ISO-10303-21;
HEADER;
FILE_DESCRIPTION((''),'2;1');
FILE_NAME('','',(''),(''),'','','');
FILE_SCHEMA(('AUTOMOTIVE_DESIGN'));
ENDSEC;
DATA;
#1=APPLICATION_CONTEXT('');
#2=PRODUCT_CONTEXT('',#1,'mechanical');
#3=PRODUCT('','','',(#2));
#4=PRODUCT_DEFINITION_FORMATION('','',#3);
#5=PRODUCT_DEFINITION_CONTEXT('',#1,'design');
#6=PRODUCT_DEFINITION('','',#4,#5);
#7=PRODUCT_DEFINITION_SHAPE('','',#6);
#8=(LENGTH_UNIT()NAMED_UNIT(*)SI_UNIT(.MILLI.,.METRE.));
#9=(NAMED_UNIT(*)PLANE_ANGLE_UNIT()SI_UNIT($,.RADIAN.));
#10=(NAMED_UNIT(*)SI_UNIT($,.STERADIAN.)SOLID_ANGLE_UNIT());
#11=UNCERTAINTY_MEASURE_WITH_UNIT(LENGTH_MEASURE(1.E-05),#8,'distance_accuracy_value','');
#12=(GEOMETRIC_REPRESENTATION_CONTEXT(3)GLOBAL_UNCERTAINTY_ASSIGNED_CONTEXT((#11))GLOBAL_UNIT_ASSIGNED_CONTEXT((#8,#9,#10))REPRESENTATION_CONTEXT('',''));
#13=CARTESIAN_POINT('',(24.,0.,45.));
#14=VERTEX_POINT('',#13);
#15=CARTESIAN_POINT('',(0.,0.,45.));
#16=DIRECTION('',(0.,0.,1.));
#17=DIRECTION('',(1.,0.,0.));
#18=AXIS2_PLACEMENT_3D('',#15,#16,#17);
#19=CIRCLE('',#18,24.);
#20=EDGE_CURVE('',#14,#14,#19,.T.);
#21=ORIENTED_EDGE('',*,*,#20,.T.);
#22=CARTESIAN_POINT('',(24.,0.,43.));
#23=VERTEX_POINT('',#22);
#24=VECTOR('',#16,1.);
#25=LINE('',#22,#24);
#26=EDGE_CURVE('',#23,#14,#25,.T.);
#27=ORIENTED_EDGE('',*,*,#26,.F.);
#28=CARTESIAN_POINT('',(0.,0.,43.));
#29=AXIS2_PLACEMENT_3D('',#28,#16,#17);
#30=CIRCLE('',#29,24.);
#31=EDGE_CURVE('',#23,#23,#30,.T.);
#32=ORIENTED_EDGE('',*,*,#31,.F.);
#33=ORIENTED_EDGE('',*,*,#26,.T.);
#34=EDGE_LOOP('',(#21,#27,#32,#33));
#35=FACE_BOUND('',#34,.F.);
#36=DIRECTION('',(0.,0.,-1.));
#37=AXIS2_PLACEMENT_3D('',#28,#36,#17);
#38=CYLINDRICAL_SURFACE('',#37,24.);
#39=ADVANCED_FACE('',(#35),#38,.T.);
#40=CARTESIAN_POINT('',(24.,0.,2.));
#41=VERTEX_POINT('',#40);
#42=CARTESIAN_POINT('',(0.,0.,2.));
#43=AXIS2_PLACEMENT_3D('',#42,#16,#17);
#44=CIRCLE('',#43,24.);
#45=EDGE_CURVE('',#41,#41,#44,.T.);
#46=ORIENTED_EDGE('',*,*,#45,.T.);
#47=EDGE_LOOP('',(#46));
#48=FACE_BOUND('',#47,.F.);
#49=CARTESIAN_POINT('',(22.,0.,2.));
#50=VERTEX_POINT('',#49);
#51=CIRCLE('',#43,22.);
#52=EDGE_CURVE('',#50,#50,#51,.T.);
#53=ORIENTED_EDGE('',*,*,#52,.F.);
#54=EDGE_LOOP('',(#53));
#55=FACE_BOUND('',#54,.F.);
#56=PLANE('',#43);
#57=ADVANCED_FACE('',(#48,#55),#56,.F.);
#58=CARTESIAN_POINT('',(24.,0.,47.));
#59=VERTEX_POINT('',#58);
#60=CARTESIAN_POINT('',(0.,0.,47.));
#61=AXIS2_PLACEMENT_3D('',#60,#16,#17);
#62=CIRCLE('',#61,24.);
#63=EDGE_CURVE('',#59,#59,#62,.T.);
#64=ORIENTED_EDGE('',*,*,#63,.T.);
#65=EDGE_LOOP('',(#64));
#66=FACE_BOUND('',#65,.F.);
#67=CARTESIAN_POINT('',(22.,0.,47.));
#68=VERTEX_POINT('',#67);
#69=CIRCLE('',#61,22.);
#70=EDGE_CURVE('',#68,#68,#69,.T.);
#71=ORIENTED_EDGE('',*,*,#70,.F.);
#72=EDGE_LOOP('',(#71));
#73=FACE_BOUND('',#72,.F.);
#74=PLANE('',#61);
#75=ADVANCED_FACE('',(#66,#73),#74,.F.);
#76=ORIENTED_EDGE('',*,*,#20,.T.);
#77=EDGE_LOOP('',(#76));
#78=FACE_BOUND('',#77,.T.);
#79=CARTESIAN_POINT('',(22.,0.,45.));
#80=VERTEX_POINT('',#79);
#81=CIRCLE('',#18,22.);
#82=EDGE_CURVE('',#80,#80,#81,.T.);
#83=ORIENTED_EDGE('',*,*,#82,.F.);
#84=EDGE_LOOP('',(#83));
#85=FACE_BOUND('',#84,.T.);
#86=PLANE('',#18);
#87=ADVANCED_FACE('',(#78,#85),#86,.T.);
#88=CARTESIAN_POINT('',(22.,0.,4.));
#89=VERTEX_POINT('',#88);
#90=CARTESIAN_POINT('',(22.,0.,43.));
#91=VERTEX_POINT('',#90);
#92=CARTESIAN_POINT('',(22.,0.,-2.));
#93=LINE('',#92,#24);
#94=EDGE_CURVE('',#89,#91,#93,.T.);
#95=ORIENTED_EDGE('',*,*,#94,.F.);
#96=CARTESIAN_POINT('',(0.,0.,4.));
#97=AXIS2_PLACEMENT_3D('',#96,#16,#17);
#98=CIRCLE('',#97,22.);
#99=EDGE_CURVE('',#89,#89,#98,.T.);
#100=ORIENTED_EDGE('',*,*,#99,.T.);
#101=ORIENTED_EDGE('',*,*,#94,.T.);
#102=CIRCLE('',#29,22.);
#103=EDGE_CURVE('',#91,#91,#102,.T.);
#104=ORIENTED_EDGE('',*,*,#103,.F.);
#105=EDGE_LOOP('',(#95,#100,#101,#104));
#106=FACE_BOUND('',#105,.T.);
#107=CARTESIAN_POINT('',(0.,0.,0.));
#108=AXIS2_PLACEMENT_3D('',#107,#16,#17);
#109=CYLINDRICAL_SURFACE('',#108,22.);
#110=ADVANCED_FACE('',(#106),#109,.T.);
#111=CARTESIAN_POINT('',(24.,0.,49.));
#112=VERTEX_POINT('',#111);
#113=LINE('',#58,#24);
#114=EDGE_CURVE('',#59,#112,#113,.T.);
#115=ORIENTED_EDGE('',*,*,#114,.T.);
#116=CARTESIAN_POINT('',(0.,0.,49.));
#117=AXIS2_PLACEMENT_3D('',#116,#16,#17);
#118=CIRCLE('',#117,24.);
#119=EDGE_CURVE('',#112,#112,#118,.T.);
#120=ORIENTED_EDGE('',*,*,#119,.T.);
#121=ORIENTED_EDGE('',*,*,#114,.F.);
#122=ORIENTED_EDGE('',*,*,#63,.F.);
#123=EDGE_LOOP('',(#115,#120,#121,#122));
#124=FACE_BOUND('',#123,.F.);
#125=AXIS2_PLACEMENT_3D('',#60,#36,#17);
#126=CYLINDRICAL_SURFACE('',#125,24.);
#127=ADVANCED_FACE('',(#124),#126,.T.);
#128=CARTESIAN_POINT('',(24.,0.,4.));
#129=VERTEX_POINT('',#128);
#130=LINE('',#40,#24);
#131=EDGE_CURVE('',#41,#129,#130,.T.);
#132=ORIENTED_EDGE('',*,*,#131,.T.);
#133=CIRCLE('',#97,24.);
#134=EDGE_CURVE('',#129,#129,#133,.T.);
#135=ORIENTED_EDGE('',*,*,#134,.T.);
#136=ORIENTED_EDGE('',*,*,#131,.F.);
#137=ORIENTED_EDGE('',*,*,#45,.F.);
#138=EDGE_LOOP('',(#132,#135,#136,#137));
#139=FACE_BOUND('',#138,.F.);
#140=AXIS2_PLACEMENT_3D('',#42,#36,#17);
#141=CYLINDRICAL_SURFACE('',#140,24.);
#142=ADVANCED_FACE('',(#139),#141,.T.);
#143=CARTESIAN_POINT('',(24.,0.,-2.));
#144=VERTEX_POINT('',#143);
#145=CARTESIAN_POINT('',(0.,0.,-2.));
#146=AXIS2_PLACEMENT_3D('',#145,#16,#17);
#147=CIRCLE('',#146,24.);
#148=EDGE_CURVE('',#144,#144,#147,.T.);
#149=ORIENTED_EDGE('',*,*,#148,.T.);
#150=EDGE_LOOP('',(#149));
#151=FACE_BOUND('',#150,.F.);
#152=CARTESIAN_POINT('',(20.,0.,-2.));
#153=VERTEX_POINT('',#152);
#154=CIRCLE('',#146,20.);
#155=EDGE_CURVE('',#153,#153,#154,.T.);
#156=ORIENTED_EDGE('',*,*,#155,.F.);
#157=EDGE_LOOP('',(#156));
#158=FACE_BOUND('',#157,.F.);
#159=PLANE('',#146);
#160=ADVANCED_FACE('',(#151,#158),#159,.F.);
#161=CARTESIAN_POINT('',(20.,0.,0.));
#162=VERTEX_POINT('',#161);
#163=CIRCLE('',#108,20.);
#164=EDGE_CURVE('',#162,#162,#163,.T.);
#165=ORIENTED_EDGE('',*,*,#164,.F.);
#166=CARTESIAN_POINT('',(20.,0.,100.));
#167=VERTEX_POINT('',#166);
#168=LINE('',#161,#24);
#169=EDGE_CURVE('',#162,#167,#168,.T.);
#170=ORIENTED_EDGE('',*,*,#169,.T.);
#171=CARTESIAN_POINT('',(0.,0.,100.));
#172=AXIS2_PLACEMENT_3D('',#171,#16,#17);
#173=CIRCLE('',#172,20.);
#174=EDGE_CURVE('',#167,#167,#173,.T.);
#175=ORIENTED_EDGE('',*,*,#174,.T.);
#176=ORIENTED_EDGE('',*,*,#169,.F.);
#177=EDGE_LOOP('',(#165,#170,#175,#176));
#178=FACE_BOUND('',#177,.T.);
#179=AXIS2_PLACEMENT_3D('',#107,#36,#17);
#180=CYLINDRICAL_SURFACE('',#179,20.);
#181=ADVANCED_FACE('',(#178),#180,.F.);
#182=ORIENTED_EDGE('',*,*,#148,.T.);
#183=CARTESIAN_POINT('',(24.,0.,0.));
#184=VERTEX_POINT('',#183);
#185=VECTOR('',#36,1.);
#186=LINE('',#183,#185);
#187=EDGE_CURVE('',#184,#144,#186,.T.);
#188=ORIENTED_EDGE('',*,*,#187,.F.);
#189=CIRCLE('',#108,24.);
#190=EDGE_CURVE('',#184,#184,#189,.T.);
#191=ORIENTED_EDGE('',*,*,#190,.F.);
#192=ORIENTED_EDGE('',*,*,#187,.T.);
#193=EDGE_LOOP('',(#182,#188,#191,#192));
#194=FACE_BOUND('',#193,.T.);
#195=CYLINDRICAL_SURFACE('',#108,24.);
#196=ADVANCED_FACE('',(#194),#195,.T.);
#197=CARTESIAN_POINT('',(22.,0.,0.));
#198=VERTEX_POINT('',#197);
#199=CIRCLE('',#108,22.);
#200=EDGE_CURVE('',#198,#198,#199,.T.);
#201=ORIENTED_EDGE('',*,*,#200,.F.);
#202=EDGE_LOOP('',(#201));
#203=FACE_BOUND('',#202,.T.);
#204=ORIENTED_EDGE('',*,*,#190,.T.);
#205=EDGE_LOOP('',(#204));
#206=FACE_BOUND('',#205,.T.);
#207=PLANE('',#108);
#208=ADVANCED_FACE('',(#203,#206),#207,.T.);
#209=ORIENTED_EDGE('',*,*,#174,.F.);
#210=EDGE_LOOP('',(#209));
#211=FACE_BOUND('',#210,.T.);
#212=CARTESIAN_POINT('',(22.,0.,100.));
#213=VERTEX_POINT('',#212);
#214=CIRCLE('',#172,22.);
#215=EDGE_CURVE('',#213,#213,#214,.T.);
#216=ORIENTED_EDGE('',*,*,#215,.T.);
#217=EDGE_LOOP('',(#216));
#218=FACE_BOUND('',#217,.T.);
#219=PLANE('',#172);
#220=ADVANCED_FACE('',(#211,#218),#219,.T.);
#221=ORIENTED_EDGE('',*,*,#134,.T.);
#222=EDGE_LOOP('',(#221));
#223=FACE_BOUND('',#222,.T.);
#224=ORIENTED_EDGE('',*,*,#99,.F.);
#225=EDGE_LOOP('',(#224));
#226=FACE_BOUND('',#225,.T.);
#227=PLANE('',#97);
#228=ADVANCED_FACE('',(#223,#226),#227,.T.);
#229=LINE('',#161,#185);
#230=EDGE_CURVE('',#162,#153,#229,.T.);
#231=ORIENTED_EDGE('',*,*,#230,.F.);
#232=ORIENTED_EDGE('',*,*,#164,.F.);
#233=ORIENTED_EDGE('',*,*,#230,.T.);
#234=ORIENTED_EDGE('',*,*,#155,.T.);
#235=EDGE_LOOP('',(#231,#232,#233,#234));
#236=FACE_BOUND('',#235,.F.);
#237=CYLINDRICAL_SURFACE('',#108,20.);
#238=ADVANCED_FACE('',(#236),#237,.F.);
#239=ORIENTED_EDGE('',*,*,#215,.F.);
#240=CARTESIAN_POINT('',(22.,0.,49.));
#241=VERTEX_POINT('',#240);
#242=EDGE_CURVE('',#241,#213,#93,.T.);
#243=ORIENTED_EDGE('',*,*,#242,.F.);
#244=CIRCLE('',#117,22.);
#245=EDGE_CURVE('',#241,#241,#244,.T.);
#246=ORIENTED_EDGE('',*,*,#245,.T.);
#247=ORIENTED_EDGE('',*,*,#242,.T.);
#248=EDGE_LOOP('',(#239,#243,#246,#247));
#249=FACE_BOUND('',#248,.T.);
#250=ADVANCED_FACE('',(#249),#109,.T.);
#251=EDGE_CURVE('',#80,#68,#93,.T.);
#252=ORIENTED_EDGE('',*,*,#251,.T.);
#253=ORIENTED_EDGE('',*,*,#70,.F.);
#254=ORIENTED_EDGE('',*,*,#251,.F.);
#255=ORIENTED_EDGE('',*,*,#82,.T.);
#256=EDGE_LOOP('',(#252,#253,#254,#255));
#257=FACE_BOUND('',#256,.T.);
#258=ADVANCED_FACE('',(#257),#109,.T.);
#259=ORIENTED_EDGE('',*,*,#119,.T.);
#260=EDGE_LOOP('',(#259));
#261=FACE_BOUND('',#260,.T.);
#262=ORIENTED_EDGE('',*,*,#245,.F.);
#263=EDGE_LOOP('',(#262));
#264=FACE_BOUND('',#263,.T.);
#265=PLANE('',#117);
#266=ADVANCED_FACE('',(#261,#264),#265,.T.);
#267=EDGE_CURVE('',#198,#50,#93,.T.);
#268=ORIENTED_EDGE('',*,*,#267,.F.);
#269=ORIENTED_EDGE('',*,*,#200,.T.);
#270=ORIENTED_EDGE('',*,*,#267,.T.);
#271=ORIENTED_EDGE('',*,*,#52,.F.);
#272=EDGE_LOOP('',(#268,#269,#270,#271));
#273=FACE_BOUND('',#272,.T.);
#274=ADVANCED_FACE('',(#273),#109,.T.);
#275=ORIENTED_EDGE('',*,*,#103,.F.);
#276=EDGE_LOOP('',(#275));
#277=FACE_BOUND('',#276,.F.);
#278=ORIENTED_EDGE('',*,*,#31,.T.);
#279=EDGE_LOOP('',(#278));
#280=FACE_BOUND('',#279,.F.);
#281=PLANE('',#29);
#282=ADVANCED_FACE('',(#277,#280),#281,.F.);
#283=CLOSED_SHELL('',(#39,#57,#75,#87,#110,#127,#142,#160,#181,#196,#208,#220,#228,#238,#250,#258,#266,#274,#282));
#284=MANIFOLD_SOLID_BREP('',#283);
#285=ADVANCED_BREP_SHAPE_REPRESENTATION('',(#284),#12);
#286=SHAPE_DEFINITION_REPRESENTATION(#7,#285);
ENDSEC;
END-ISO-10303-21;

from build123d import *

# Parameters (mm, degrees)
F0_R          = 22
F0_R_2        = 20
F1_DEPTH      = 100
F1_DEPTH_BACK = 2
F0_R_3        = 24
F2_DEPTH      = 2
F3_START      = 2
F3_DEPTH      = 2
F4_START      = 43
F4_DEPTH      = 2
F5_START      = 47
F5_DEPTH      = 2


with BuildPart() as f1:
    # F0 (on Top) → F1 (new body, two sides)
    with BuildSketch(Plane.XY) as f1_sk:
        Circle(F0_R)
        Circle(F0_R_2, mode=Mode.SUBTRACT)
    extrude(amount=F1_DEPTH)
    extrude(f1_sk.sketch, amount=-F1_DEPTH_BACK)

    # F0 (on Top) → F2 (join)
    with BuildSketch(Plane.XY):
        Circle(F0_R_3)
        Circle(F0_R, mode=Mode.SUBTRACT)
    extrude(amount=-F2_DEPTH)

    # F0 (on Top) → F3 (join)
    with BuildSketch(Plane.XY.offset(F3_START)):
        Circle(F0_R_3)
        Circle(F0_R, mode=Mode.SUBTRACT)
    extrude(amount=F3_DEPTH)

    # F0 (on Top) → F4 (join)
    with BuildSketch(Plane.XY.offset(F4_START)):
        Circle(F0_R_3)
        Circle(F0_R, mode=Mode.SUBTRACT)
    extrude(amount=F4_DEPTH)

    # F0 (on Top) → F5 (join)
    with BuildSketch(Plane.XY.offset(F5_START)):
        Circle(F0_R_3)
        Circle(F0_R, mode=Mode.SUBTRACT)
    extrude(amount=F5_DEPTH)


solid = f1.part
